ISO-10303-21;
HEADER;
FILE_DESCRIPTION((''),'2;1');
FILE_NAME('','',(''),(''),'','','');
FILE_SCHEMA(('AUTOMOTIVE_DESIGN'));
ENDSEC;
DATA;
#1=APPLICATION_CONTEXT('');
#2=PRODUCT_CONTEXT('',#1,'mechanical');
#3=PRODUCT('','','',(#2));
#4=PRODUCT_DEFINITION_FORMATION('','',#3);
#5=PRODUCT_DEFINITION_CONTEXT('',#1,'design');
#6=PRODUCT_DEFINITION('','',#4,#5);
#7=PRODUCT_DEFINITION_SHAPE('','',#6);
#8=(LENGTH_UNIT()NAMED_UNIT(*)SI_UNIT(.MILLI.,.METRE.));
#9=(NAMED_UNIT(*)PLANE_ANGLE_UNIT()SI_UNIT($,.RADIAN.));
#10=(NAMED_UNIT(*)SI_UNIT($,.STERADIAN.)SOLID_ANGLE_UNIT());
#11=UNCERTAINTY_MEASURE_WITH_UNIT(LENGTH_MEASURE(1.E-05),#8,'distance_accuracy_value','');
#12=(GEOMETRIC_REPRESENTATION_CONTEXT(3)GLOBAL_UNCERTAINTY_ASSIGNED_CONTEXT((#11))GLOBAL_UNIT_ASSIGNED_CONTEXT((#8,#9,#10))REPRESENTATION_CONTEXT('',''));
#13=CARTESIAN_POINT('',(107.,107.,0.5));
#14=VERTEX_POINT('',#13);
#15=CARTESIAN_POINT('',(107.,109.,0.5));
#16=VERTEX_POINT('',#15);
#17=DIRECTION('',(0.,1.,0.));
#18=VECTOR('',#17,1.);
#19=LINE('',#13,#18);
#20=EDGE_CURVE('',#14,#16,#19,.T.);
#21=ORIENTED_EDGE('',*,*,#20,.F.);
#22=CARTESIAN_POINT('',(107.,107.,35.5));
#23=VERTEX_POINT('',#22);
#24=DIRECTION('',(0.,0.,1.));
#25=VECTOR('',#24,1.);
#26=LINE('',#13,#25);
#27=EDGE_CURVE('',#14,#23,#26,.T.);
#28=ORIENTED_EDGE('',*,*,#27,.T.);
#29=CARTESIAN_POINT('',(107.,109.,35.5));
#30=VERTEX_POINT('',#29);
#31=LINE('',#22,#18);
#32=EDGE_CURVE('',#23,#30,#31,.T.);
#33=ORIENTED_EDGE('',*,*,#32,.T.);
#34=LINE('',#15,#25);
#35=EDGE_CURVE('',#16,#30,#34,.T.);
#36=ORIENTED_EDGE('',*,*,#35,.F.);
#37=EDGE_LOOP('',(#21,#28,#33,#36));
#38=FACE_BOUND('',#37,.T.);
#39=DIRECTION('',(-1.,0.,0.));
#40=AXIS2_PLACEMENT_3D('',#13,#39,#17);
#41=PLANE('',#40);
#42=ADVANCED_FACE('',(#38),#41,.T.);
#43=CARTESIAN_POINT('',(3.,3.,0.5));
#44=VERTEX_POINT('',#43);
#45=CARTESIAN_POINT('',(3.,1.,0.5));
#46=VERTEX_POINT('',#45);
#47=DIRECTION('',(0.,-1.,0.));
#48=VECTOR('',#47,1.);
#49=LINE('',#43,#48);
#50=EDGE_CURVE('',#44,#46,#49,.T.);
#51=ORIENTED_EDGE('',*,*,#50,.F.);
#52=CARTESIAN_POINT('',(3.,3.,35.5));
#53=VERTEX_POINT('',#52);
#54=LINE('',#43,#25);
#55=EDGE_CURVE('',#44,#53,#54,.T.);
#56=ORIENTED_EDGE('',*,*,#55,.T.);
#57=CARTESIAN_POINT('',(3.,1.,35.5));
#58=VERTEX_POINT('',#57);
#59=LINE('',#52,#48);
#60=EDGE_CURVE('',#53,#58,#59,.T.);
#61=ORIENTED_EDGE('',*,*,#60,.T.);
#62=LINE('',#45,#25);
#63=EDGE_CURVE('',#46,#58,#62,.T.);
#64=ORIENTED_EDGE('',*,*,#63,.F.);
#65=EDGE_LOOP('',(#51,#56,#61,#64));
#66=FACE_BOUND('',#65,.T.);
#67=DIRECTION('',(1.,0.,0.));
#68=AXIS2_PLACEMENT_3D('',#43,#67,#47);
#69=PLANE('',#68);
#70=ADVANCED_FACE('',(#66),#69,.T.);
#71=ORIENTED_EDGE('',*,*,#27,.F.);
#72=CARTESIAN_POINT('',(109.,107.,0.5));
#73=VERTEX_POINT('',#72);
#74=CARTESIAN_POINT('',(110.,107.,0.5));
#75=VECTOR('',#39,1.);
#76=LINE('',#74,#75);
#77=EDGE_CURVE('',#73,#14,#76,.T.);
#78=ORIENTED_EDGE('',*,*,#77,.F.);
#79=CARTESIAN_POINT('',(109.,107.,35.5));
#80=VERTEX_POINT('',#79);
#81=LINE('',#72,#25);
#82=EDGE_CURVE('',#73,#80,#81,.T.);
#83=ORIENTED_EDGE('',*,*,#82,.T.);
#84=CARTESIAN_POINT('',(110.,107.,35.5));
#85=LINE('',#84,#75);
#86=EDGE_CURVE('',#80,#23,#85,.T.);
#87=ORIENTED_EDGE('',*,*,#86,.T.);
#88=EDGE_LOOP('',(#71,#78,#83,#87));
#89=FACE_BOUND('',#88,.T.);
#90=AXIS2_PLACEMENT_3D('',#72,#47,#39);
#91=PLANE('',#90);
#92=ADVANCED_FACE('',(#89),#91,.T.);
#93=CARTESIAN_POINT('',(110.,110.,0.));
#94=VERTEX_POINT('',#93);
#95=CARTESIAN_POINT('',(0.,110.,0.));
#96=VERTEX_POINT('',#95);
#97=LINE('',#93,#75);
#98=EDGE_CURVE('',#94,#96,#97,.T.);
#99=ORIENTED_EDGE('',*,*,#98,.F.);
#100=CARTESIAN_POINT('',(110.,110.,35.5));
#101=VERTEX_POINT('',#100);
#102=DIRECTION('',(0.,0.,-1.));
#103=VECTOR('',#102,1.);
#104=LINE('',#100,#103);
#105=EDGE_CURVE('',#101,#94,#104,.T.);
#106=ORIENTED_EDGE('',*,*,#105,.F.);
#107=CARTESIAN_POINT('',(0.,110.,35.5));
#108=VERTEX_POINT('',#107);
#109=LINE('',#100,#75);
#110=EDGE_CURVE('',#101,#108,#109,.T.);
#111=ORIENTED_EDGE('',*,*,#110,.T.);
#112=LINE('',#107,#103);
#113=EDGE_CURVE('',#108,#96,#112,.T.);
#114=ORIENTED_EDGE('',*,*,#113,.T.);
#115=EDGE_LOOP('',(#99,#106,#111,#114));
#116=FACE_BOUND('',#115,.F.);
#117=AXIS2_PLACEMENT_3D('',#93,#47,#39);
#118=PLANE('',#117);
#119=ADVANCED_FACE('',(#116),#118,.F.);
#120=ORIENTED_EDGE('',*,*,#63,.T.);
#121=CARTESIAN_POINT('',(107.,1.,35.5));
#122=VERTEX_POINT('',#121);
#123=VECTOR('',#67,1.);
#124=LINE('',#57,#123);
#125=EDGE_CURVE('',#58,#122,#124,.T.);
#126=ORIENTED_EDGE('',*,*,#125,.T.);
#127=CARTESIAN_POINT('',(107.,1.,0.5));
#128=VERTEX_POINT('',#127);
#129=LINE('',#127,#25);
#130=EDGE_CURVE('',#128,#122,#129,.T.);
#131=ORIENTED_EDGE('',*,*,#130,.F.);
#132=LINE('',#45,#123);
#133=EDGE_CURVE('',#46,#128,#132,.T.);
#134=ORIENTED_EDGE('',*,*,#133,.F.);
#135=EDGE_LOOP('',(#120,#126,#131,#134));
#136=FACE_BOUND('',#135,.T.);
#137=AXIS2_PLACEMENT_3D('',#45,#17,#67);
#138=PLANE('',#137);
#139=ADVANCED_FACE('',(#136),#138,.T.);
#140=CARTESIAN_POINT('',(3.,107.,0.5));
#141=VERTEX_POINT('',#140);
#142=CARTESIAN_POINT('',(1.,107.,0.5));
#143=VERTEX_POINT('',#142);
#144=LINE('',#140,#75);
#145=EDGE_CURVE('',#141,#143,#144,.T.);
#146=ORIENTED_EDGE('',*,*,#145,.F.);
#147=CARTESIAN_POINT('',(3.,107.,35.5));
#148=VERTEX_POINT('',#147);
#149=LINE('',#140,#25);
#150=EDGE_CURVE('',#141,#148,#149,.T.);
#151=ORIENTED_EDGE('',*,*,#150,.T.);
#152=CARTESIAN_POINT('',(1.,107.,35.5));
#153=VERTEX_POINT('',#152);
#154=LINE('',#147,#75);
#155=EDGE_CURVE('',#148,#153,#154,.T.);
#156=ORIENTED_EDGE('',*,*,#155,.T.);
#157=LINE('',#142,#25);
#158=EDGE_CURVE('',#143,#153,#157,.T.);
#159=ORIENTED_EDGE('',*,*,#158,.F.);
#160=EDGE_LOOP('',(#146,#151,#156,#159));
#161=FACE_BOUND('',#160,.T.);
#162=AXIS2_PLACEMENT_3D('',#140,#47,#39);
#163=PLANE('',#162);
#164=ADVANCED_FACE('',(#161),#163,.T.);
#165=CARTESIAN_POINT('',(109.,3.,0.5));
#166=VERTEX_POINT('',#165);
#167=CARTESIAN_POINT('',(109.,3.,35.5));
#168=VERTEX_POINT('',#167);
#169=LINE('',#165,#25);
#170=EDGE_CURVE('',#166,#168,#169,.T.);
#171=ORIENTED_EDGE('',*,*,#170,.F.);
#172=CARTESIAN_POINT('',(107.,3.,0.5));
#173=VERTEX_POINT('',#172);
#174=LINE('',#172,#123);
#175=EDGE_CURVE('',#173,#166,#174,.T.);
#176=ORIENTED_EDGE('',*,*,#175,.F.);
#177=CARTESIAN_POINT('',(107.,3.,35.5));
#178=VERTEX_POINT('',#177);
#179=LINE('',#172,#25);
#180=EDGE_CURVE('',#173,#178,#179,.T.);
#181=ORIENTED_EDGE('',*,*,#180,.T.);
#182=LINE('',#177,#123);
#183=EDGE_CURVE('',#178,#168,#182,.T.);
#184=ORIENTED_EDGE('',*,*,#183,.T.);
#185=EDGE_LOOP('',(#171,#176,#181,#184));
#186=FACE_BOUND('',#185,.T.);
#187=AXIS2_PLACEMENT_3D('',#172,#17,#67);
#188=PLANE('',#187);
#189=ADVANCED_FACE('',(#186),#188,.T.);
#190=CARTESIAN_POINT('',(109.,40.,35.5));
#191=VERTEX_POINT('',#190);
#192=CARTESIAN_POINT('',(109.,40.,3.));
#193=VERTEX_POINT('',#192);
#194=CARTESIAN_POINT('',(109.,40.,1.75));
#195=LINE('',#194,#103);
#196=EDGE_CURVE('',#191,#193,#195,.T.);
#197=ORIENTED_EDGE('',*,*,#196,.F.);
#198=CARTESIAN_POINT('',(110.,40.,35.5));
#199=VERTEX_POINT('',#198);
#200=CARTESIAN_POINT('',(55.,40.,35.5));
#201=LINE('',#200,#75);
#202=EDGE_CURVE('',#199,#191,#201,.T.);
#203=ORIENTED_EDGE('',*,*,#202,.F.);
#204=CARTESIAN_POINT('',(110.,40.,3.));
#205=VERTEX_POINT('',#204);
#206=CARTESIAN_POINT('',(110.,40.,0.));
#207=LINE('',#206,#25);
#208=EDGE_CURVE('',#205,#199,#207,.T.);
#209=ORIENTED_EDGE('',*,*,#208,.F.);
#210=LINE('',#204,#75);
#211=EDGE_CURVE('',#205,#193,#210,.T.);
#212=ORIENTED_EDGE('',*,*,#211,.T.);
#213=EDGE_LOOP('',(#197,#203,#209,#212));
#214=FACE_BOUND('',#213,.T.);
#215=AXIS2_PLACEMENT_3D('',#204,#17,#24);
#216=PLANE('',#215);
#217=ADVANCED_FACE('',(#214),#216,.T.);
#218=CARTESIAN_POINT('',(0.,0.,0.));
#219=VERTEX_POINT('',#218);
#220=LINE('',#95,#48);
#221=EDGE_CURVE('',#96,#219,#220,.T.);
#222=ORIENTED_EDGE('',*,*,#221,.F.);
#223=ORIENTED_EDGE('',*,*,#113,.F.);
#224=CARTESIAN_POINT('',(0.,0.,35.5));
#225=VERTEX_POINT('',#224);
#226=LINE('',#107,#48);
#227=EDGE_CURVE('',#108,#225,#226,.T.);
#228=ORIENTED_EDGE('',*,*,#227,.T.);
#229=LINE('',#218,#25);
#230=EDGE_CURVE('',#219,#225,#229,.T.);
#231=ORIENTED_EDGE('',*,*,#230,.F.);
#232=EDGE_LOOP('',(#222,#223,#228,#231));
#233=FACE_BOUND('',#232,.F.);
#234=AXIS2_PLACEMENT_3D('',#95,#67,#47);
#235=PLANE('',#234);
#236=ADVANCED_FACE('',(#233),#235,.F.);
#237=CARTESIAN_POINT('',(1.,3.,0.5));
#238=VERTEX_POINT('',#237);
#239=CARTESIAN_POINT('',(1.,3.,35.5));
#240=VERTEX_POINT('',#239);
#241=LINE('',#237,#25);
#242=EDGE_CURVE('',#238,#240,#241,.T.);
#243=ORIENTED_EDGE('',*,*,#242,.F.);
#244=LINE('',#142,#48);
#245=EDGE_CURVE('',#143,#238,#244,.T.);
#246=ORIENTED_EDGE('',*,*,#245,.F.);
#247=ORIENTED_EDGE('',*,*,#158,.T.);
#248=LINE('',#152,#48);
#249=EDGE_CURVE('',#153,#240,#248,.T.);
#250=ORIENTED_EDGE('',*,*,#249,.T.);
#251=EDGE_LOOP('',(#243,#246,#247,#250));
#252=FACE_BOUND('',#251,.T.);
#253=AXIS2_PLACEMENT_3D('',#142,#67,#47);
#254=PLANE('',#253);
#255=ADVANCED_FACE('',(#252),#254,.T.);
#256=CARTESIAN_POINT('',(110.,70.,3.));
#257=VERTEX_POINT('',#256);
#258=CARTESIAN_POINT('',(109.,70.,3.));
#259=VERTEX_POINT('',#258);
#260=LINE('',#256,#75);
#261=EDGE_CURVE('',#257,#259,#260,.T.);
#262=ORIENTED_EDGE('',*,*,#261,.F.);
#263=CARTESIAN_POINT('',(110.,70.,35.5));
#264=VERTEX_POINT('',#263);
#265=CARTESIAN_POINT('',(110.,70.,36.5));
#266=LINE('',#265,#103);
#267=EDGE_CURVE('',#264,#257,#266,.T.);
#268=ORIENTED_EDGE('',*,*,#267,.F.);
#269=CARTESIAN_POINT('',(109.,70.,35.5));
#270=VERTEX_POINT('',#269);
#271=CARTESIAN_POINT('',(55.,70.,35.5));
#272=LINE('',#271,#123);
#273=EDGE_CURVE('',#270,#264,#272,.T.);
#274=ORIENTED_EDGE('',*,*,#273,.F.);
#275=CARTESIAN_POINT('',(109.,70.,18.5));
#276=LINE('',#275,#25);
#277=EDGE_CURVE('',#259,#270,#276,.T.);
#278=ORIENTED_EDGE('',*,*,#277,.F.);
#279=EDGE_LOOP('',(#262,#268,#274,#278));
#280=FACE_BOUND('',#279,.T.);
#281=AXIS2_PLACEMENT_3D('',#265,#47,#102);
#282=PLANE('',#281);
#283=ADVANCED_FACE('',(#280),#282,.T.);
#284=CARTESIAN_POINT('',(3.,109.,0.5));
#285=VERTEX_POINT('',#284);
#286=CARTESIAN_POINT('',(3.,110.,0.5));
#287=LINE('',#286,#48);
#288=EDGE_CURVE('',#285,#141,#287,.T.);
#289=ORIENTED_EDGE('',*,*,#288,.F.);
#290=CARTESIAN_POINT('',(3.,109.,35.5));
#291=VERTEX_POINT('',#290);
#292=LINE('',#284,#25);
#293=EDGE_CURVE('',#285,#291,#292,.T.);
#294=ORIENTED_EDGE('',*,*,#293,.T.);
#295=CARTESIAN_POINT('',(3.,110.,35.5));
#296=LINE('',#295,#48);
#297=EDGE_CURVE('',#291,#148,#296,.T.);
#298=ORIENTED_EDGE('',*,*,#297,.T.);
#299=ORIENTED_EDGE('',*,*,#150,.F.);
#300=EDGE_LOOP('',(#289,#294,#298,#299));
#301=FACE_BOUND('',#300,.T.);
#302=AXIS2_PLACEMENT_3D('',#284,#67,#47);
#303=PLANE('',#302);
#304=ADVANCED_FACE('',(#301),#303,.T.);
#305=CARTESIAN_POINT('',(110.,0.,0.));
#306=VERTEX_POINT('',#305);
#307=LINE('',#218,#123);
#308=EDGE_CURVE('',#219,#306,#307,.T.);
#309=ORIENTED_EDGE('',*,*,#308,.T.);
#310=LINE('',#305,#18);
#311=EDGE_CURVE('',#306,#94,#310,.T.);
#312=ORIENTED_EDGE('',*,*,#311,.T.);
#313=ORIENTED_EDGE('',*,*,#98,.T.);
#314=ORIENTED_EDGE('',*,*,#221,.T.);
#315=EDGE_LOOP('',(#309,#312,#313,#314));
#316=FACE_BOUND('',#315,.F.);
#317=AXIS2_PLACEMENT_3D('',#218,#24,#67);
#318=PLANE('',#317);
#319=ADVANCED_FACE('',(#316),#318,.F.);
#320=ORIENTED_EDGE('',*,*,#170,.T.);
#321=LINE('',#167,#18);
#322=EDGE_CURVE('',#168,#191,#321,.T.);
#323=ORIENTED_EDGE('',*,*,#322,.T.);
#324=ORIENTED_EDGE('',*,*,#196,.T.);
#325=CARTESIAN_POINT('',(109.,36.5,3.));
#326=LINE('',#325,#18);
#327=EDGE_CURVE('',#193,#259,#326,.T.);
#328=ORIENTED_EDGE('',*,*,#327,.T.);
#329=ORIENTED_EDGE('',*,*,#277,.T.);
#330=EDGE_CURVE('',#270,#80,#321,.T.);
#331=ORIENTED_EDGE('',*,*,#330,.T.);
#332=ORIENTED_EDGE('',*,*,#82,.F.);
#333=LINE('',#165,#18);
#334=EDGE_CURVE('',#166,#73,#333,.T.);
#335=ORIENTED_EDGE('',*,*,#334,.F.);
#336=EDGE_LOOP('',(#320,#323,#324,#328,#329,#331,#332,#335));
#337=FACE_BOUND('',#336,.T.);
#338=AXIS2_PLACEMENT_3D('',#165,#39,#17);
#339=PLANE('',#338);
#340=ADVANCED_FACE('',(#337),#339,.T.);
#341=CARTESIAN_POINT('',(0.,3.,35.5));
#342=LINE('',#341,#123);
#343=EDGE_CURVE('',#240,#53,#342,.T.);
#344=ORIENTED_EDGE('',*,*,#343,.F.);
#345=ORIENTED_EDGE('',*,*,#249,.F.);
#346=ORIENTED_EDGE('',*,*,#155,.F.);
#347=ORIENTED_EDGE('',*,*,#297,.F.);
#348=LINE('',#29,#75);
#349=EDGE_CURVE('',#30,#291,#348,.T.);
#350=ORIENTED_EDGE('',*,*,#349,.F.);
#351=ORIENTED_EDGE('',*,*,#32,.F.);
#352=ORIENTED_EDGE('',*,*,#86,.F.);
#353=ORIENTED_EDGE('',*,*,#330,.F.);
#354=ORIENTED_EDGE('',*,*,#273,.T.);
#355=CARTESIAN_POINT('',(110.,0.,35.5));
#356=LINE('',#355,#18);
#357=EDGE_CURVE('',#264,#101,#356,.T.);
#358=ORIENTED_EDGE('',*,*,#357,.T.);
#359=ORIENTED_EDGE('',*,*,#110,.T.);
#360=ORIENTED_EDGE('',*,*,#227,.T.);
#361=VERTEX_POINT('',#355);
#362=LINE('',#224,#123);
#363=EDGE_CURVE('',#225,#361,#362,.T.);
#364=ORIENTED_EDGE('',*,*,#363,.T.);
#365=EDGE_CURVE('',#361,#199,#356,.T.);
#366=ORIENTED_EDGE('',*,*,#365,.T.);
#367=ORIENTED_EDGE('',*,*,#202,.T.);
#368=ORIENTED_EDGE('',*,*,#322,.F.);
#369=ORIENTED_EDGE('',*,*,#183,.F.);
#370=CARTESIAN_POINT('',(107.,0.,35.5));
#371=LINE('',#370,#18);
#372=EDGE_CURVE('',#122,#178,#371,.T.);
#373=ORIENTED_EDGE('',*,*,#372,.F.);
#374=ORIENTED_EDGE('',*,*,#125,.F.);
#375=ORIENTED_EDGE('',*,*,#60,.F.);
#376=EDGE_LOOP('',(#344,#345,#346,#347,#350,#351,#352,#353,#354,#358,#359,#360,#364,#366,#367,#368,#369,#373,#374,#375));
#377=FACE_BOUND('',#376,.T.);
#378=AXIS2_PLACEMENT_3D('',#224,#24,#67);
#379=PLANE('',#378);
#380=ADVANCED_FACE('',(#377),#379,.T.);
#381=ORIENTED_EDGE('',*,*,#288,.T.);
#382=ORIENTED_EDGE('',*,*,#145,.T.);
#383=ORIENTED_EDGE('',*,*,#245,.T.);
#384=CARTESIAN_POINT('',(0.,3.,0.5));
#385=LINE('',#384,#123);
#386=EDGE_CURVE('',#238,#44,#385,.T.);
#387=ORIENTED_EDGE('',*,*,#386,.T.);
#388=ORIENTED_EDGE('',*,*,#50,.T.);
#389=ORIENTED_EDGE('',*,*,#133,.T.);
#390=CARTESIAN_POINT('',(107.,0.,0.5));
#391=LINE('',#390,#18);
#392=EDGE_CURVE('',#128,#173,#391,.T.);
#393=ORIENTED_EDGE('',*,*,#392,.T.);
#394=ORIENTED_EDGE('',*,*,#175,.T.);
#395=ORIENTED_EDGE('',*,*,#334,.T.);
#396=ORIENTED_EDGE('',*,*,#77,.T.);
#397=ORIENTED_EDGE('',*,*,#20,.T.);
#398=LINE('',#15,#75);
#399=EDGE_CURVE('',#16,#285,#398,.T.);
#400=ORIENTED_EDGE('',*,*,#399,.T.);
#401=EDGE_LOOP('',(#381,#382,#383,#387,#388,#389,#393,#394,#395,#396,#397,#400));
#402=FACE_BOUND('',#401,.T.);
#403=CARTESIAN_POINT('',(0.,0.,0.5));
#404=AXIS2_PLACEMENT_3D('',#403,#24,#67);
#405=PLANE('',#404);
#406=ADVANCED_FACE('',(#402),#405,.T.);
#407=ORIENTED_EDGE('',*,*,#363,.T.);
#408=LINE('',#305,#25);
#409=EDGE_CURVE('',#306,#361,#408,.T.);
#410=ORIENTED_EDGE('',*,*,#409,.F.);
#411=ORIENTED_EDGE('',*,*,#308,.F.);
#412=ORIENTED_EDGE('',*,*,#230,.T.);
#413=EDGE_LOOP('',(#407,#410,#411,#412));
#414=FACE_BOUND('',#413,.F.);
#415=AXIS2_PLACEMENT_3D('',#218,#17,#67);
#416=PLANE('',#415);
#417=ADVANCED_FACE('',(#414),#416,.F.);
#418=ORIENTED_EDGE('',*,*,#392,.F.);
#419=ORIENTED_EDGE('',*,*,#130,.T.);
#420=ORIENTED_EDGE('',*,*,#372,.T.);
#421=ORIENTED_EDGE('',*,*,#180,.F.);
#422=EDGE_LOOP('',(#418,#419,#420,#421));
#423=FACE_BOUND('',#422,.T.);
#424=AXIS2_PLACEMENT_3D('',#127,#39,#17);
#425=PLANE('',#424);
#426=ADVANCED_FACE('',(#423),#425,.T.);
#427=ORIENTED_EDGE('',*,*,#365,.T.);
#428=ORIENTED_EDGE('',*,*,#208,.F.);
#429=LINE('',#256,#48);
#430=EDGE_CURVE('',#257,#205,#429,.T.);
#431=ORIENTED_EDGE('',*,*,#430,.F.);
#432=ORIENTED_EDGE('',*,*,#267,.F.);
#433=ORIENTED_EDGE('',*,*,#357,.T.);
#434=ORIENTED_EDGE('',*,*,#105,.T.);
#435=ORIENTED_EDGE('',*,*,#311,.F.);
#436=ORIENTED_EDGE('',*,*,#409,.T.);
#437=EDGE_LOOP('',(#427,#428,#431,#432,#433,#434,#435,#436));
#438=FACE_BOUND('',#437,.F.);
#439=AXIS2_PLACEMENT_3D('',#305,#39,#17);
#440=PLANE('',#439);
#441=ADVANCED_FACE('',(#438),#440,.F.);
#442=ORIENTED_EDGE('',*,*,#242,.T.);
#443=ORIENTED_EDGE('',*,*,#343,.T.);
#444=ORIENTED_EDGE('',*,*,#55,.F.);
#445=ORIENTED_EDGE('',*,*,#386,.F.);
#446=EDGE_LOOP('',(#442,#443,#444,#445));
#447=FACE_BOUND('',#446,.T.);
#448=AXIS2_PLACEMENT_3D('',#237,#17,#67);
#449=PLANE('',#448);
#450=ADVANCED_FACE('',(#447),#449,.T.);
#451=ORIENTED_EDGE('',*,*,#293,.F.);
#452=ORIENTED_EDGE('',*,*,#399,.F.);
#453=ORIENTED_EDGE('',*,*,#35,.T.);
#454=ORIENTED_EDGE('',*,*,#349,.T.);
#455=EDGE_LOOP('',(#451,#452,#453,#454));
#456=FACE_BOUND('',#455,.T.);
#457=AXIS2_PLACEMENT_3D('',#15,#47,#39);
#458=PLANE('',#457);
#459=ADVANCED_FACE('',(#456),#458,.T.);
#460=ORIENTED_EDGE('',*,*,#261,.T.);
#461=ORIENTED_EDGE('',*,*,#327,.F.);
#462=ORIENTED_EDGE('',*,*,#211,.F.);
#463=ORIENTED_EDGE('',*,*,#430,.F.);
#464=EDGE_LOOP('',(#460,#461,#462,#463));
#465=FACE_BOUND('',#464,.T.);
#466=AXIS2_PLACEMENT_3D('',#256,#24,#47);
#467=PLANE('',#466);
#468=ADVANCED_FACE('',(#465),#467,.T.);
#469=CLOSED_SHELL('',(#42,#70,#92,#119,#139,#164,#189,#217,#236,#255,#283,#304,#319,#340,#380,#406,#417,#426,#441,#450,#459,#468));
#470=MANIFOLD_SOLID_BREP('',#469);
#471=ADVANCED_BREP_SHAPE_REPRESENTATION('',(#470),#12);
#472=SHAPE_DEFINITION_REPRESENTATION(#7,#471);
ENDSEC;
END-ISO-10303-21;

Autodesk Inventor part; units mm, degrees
ref_plane "YZ Plane" through (0, 0, 0) normal (1, 0, 0) x (0, 1, 0)
ref_plane "XZ Plane" through (0, 0, 0) normal (0, 1, 0) x (-1, 0, 0)
ref_plane "XY Plane" through (0, 0, 0) normal (0, 0, 1) x (1, 0, 0)
sketch "Szkic1" plane through (0, 0, 0) normal (0, 0, 1) x (1, 0, 0)
  line L0 (0, 0) -> (110, 0)
  line L1 (110, 0) -> (110, 110)
  line L2 (110, 110) -> (0, 110)
  line L3 (0, 110) -> (0, 0)
  line L4 (0, 0) -> (1, 0) construction
  line L5 (1, 0) -> (1, 1) construction
  line L6 (1, 1) -> (109, 1)
  line L7 (109, 1) -> (109, 109)
  line L8 (109, 109) -> (1, 109)
  line L9 (1, 109) -> (1, 1)
  line L10 (0, 110) -> (110, 0) construction
  line L11 (0, 0) -> (109, 109) construction
  point P0 (54.5, 54.5)
  dimension "d0" = 110
  dimension "d1" = 110
  dimension "d2" = 1
  dimension "d3" = 1
  dimension "d4" = 108
  dimension "d5" = 108
extrude "Wyciągnięcie proste1" add sketch "Szkic1" along normal blind 0.5 contours L3 L2 L1 L0 | L9 L8 L7 L6
sketch "Szkic2" plane through (0, 0, 0.5) normal (0, 0, 1) x (1, 0, 0)
  line L0 (3, 3) -> (110, 110)
  line L1 (3, 1) -> (107, 1)
  line L2 (109, 3) -> (109, 107)
  line L3 (107, 109) -> (3, 109)
  line L4 (1, 107) -> (1, 3)
  line L5 (3, 3) -> (107.9953, 107.9953) construction
  line L6 (109, 1) -> (1, 109) construction
  line L7 (0, 0) -> (110, 0)
  line L8 (110, 0) -> (110, 110)
  line L9 (110, 110) -> (0, 110)
  line L10 (0, 110) -> (0, 0)
  line L11 (0, 0) -> (107, 107) construction
  line L12 (107, 3) -> (0, 110) construction
  line L13 (3, 110) -> (3, 107)
  line L14 (3, 107) -> (0, 107)
  line L15 (-3, 113) -> (0, 110) construction
  line L16 (3, 113) -> (-3, 107) construction
  line L17 (1, 113) -> (3, 113)
  line L18 (0, 3) -> (3, 3)
  line L19 (3, 3) -> (3, 0)
  line L20 (107, 0) -> (107, 3)
  line L21 (107, 3) -> (110, 3)
  line L22 (110, 107) -> (107, 107)
  line L23 (107, 107) -> (107, 110)
  line L24 (3, 107) -> (107, 3)
  line L25 (109, 1) -> (110, 0)
  point P0 (0, 0)
  point P1 (0, 110)
  point P2 (55, 55)
  point P3 (55, 55)
  point P4 (55, 55)
  dimension "d8" = 107
  dimension "d9" = 107
  dimension "d10" = 110
  dimension "d11" = 110
  dimension "d14" = 6
  dimension "d17" = 360
extrude "Wyciągnięcie proste3" add sketch "Szkic2" along normal blind 35 contours L23 L9 L0 | L0 L8 L22 | L22 L8 L21 L2 | L3 L13 L9 L23 | L19 L7 L10 L18 | L14 L10 L9 L13 | L21 L8 L7 L20 | L18 L10 L14 L4 | L1 L20 L7 L19
sketch "Szkic3" plane through (110, 0, 0) normal (1, 0, 0) x (0, 0, -1)
  line L0 (0, 0) -> (0, 40)
  line L1 (0, 0) -> (0, 110) projected
  line L2 (0, 110) -> (0, 70)
  line L3 (0, 40) -> (-36.5, 40)
  line L4 (-36.5, 40) -> (-36.5, 70)
  line L5 (-36.5, 70) -> (0, 70)
  line L6 (0, 70) -> (0, 40)
  line L7 (0, 70) -> (-3, 70)
  line L8 (-3, 70) -> (-3, 40)
  point P0 (-35.5, 109)
  dimension "d21" = 40
  dimension "d22" = 40
  dimension "d23" = 3
extrude "Wyciągnięcie proste4" cut sketch "Szkic3" against normal blind 35 contours L3 L4 L5 L8
properties part number "dol_obodowy_110x110"
